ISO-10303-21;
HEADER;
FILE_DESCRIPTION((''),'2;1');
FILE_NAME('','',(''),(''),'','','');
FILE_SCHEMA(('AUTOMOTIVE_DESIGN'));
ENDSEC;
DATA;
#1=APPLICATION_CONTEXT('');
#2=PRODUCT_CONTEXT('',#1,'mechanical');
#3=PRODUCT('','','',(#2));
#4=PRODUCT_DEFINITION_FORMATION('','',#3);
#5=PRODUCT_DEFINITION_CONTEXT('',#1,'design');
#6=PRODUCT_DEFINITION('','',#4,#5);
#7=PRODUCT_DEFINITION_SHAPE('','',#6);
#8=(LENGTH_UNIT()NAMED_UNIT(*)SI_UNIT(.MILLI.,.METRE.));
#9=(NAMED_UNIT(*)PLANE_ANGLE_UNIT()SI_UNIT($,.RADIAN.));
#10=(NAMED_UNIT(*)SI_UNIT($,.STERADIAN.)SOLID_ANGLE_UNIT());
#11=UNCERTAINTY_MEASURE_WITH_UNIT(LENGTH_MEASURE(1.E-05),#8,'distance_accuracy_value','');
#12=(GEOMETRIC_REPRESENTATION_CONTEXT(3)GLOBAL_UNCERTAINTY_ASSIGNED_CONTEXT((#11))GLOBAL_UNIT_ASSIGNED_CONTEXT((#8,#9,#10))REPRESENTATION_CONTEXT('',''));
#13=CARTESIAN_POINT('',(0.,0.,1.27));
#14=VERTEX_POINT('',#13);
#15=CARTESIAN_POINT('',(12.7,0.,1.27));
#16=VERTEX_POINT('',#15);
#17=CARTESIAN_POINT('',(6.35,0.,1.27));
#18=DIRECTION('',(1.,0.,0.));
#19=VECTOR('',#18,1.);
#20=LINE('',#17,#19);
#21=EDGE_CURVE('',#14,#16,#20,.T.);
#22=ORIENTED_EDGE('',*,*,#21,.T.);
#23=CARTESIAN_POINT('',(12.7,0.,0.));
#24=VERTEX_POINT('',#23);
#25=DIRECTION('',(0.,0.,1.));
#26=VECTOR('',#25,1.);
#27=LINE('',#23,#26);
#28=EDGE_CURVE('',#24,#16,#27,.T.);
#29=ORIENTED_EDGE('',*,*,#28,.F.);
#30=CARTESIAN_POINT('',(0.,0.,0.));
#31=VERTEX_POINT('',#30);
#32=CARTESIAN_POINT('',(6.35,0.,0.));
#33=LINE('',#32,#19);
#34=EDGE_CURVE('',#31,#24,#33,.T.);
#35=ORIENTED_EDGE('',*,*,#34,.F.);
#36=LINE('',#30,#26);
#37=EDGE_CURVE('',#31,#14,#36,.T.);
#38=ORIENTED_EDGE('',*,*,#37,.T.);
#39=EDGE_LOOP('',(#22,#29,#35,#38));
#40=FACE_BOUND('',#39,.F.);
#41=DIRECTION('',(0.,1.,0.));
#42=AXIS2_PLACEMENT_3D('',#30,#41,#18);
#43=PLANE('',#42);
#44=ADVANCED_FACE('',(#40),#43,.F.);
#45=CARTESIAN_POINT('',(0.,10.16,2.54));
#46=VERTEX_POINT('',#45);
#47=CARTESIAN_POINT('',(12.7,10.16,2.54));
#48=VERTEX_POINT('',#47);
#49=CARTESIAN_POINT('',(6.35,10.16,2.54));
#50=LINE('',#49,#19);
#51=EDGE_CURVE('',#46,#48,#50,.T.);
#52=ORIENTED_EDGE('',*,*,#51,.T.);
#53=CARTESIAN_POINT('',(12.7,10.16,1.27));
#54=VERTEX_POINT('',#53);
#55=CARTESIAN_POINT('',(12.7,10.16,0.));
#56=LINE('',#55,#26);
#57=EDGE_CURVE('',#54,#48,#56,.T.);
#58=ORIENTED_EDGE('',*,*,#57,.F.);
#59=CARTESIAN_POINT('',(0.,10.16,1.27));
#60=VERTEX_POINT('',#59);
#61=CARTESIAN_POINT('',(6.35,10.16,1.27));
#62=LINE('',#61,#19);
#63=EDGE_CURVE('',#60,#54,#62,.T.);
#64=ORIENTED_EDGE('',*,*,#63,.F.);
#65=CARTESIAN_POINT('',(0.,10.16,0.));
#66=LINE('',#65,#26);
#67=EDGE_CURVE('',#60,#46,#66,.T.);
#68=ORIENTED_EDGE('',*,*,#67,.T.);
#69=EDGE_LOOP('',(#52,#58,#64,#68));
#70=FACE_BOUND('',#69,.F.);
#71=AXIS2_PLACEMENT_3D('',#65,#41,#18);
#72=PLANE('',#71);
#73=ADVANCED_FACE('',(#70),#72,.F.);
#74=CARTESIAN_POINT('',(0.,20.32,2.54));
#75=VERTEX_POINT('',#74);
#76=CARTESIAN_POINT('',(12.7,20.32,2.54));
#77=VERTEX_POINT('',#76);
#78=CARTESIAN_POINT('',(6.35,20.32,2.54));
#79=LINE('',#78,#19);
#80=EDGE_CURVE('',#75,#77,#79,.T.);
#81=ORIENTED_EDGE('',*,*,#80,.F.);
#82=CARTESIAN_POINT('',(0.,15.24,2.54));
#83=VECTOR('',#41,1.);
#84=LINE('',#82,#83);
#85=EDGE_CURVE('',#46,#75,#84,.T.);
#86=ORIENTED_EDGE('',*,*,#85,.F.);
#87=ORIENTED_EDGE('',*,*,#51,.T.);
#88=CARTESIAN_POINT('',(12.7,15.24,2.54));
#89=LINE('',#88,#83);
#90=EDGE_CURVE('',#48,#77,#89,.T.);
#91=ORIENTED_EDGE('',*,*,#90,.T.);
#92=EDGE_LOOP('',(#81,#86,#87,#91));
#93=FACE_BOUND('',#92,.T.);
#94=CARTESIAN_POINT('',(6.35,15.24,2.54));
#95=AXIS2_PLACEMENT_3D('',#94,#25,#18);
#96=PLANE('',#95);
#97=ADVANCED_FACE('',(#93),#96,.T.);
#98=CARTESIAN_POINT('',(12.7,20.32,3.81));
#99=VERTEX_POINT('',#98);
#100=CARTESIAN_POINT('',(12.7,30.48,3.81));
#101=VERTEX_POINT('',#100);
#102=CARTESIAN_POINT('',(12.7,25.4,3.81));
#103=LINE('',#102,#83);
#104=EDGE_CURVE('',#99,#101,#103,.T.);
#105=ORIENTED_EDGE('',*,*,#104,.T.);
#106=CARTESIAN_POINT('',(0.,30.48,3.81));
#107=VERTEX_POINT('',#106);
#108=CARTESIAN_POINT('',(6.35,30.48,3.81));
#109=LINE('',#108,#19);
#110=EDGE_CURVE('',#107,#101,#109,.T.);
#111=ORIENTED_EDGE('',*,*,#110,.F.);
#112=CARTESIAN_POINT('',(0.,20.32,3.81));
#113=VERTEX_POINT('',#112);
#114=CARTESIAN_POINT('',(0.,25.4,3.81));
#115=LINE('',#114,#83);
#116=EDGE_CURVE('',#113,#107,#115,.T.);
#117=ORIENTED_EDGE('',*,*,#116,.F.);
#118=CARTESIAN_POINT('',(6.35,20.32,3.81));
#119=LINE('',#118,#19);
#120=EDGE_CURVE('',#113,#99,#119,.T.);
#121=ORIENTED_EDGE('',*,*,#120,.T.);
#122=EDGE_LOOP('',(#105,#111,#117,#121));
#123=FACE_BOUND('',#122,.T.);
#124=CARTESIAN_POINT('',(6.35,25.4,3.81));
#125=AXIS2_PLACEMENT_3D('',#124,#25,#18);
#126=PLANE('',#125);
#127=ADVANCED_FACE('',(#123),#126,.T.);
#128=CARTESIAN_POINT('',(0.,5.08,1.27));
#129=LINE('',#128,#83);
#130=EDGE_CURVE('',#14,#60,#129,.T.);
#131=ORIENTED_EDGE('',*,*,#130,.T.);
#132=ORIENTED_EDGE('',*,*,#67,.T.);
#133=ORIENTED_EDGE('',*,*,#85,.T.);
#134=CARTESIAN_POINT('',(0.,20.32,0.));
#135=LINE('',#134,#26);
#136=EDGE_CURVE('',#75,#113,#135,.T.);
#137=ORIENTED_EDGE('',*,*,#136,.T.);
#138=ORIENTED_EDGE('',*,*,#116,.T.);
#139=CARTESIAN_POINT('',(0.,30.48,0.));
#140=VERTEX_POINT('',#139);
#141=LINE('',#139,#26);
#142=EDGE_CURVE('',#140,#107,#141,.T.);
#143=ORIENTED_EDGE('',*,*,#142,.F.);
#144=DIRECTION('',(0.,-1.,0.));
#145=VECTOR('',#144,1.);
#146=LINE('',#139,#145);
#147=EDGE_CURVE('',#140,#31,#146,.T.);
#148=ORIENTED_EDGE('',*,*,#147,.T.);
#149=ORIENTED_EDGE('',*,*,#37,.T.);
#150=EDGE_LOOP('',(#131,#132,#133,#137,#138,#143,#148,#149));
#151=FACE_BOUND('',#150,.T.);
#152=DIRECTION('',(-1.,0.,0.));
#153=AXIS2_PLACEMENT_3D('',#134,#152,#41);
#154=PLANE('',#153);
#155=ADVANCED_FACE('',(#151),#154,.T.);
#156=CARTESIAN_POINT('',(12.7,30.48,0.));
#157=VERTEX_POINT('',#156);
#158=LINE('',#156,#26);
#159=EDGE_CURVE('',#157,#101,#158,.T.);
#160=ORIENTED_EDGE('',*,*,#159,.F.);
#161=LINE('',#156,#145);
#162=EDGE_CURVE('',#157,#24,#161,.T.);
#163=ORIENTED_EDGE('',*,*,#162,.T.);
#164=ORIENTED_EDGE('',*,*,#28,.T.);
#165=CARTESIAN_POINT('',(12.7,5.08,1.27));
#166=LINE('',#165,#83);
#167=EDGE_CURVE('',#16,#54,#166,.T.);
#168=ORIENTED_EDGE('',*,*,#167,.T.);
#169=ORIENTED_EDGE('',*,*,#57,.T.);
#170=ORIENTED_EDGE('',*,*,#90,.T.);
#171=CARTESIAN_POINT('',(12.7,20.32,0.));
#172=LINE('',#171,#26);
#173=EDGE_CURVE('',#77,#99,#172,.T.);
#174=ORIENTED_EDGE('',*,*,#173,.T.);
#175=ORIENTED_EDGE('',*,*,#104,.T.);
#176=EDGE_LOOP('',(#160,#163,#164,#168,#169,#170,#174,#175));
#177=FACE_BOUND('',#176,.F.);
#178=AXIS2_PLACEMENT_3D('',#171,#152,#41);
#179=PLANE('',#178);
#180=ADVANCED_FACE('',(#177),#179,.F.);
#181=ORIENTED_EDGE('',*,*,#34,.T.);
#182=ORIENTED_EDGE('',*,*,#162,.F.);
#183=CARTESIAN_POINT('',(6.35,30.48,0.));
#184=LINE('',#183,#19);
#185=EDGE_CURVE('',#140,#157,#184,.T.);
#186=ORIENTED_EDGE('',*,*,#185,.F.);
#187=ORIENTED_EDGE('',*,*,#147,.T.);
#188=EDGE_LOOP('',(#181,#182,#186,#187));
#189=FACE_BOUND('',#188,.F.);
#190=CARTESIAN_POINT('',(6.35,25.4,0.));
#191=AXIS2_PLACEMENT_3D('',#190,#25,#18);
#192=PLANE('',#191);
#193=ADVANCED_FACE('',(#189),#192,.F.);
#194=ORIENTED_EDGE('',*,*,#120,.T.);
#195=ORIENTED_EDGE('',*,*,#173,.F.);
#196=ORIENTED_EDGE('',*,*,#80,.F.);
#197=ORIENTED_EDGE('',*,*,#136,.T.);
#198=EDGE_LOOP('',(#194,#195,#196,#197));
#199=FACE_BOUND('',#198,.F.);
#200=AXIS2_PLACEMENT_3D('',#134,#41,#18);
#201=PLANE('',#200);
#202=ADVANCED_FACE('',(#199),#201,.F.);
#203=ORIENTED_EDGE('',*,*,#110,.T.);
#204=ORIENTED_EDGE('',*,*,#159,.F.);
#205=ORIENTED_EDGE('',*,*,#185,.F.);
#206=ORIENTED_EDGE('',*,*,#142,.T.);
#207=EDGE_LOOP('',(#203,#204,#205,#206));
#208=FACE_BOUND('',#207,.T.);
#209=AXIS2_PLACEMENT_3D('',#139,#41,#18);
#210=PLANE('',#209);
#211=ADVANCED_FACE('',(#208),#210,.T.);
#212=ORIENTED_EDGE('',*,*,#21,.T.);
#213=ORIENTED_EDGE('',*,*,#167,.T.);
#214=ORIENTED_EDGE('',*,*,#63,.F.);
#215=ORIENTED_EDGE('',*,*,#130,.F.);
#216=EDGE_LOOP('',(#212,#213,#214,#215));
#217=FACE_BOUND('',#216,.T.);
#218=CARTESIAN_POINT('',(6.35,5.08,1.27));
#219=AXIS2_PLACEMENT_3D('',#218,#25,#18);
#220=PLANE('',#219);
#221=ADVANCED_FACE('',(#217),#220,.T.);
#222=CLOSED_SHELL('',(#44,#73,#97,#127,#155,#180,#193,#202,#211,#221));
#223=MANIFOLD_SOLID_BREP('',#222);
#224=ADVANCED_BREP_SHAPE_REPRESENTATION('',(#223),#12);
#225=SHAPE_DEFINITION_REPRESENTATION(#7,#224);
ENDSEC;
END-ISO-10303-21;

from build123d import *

# Parameters (mm, degrees)
F0_W     = 12.7
F0_H     = 10.16
F1_DEPTH = 1.27
F2_DEPTH = 2.54
F3_DEPTH = 3.81


with BuildPart() as f1:
    # F0 (on Top) → F1 (new body)
    with BuildSketch(Plane.XY):
        with Locations((6.35, 5.08)):
            Rectangle(F0_W, F0_H)
    extrude(amount=F1_DEPTH)

    # F0 (on Top) → F2 (join)
    with BuildSketch(Plane.XY):
        with Locations((6.35, 15.24)):
            Rectangle(F0_W, F0_H)
    extrude(amount=F2_DEPTH)

    # F0 (on Top) → F3 (join)
    with BuildSketch(Plane.XY):
        with Locations((6.35, 25.4)):
            Rectangle(F0_W, F0_H)
    extrude(amount=F3_DEPTH)


solid = f1.part
